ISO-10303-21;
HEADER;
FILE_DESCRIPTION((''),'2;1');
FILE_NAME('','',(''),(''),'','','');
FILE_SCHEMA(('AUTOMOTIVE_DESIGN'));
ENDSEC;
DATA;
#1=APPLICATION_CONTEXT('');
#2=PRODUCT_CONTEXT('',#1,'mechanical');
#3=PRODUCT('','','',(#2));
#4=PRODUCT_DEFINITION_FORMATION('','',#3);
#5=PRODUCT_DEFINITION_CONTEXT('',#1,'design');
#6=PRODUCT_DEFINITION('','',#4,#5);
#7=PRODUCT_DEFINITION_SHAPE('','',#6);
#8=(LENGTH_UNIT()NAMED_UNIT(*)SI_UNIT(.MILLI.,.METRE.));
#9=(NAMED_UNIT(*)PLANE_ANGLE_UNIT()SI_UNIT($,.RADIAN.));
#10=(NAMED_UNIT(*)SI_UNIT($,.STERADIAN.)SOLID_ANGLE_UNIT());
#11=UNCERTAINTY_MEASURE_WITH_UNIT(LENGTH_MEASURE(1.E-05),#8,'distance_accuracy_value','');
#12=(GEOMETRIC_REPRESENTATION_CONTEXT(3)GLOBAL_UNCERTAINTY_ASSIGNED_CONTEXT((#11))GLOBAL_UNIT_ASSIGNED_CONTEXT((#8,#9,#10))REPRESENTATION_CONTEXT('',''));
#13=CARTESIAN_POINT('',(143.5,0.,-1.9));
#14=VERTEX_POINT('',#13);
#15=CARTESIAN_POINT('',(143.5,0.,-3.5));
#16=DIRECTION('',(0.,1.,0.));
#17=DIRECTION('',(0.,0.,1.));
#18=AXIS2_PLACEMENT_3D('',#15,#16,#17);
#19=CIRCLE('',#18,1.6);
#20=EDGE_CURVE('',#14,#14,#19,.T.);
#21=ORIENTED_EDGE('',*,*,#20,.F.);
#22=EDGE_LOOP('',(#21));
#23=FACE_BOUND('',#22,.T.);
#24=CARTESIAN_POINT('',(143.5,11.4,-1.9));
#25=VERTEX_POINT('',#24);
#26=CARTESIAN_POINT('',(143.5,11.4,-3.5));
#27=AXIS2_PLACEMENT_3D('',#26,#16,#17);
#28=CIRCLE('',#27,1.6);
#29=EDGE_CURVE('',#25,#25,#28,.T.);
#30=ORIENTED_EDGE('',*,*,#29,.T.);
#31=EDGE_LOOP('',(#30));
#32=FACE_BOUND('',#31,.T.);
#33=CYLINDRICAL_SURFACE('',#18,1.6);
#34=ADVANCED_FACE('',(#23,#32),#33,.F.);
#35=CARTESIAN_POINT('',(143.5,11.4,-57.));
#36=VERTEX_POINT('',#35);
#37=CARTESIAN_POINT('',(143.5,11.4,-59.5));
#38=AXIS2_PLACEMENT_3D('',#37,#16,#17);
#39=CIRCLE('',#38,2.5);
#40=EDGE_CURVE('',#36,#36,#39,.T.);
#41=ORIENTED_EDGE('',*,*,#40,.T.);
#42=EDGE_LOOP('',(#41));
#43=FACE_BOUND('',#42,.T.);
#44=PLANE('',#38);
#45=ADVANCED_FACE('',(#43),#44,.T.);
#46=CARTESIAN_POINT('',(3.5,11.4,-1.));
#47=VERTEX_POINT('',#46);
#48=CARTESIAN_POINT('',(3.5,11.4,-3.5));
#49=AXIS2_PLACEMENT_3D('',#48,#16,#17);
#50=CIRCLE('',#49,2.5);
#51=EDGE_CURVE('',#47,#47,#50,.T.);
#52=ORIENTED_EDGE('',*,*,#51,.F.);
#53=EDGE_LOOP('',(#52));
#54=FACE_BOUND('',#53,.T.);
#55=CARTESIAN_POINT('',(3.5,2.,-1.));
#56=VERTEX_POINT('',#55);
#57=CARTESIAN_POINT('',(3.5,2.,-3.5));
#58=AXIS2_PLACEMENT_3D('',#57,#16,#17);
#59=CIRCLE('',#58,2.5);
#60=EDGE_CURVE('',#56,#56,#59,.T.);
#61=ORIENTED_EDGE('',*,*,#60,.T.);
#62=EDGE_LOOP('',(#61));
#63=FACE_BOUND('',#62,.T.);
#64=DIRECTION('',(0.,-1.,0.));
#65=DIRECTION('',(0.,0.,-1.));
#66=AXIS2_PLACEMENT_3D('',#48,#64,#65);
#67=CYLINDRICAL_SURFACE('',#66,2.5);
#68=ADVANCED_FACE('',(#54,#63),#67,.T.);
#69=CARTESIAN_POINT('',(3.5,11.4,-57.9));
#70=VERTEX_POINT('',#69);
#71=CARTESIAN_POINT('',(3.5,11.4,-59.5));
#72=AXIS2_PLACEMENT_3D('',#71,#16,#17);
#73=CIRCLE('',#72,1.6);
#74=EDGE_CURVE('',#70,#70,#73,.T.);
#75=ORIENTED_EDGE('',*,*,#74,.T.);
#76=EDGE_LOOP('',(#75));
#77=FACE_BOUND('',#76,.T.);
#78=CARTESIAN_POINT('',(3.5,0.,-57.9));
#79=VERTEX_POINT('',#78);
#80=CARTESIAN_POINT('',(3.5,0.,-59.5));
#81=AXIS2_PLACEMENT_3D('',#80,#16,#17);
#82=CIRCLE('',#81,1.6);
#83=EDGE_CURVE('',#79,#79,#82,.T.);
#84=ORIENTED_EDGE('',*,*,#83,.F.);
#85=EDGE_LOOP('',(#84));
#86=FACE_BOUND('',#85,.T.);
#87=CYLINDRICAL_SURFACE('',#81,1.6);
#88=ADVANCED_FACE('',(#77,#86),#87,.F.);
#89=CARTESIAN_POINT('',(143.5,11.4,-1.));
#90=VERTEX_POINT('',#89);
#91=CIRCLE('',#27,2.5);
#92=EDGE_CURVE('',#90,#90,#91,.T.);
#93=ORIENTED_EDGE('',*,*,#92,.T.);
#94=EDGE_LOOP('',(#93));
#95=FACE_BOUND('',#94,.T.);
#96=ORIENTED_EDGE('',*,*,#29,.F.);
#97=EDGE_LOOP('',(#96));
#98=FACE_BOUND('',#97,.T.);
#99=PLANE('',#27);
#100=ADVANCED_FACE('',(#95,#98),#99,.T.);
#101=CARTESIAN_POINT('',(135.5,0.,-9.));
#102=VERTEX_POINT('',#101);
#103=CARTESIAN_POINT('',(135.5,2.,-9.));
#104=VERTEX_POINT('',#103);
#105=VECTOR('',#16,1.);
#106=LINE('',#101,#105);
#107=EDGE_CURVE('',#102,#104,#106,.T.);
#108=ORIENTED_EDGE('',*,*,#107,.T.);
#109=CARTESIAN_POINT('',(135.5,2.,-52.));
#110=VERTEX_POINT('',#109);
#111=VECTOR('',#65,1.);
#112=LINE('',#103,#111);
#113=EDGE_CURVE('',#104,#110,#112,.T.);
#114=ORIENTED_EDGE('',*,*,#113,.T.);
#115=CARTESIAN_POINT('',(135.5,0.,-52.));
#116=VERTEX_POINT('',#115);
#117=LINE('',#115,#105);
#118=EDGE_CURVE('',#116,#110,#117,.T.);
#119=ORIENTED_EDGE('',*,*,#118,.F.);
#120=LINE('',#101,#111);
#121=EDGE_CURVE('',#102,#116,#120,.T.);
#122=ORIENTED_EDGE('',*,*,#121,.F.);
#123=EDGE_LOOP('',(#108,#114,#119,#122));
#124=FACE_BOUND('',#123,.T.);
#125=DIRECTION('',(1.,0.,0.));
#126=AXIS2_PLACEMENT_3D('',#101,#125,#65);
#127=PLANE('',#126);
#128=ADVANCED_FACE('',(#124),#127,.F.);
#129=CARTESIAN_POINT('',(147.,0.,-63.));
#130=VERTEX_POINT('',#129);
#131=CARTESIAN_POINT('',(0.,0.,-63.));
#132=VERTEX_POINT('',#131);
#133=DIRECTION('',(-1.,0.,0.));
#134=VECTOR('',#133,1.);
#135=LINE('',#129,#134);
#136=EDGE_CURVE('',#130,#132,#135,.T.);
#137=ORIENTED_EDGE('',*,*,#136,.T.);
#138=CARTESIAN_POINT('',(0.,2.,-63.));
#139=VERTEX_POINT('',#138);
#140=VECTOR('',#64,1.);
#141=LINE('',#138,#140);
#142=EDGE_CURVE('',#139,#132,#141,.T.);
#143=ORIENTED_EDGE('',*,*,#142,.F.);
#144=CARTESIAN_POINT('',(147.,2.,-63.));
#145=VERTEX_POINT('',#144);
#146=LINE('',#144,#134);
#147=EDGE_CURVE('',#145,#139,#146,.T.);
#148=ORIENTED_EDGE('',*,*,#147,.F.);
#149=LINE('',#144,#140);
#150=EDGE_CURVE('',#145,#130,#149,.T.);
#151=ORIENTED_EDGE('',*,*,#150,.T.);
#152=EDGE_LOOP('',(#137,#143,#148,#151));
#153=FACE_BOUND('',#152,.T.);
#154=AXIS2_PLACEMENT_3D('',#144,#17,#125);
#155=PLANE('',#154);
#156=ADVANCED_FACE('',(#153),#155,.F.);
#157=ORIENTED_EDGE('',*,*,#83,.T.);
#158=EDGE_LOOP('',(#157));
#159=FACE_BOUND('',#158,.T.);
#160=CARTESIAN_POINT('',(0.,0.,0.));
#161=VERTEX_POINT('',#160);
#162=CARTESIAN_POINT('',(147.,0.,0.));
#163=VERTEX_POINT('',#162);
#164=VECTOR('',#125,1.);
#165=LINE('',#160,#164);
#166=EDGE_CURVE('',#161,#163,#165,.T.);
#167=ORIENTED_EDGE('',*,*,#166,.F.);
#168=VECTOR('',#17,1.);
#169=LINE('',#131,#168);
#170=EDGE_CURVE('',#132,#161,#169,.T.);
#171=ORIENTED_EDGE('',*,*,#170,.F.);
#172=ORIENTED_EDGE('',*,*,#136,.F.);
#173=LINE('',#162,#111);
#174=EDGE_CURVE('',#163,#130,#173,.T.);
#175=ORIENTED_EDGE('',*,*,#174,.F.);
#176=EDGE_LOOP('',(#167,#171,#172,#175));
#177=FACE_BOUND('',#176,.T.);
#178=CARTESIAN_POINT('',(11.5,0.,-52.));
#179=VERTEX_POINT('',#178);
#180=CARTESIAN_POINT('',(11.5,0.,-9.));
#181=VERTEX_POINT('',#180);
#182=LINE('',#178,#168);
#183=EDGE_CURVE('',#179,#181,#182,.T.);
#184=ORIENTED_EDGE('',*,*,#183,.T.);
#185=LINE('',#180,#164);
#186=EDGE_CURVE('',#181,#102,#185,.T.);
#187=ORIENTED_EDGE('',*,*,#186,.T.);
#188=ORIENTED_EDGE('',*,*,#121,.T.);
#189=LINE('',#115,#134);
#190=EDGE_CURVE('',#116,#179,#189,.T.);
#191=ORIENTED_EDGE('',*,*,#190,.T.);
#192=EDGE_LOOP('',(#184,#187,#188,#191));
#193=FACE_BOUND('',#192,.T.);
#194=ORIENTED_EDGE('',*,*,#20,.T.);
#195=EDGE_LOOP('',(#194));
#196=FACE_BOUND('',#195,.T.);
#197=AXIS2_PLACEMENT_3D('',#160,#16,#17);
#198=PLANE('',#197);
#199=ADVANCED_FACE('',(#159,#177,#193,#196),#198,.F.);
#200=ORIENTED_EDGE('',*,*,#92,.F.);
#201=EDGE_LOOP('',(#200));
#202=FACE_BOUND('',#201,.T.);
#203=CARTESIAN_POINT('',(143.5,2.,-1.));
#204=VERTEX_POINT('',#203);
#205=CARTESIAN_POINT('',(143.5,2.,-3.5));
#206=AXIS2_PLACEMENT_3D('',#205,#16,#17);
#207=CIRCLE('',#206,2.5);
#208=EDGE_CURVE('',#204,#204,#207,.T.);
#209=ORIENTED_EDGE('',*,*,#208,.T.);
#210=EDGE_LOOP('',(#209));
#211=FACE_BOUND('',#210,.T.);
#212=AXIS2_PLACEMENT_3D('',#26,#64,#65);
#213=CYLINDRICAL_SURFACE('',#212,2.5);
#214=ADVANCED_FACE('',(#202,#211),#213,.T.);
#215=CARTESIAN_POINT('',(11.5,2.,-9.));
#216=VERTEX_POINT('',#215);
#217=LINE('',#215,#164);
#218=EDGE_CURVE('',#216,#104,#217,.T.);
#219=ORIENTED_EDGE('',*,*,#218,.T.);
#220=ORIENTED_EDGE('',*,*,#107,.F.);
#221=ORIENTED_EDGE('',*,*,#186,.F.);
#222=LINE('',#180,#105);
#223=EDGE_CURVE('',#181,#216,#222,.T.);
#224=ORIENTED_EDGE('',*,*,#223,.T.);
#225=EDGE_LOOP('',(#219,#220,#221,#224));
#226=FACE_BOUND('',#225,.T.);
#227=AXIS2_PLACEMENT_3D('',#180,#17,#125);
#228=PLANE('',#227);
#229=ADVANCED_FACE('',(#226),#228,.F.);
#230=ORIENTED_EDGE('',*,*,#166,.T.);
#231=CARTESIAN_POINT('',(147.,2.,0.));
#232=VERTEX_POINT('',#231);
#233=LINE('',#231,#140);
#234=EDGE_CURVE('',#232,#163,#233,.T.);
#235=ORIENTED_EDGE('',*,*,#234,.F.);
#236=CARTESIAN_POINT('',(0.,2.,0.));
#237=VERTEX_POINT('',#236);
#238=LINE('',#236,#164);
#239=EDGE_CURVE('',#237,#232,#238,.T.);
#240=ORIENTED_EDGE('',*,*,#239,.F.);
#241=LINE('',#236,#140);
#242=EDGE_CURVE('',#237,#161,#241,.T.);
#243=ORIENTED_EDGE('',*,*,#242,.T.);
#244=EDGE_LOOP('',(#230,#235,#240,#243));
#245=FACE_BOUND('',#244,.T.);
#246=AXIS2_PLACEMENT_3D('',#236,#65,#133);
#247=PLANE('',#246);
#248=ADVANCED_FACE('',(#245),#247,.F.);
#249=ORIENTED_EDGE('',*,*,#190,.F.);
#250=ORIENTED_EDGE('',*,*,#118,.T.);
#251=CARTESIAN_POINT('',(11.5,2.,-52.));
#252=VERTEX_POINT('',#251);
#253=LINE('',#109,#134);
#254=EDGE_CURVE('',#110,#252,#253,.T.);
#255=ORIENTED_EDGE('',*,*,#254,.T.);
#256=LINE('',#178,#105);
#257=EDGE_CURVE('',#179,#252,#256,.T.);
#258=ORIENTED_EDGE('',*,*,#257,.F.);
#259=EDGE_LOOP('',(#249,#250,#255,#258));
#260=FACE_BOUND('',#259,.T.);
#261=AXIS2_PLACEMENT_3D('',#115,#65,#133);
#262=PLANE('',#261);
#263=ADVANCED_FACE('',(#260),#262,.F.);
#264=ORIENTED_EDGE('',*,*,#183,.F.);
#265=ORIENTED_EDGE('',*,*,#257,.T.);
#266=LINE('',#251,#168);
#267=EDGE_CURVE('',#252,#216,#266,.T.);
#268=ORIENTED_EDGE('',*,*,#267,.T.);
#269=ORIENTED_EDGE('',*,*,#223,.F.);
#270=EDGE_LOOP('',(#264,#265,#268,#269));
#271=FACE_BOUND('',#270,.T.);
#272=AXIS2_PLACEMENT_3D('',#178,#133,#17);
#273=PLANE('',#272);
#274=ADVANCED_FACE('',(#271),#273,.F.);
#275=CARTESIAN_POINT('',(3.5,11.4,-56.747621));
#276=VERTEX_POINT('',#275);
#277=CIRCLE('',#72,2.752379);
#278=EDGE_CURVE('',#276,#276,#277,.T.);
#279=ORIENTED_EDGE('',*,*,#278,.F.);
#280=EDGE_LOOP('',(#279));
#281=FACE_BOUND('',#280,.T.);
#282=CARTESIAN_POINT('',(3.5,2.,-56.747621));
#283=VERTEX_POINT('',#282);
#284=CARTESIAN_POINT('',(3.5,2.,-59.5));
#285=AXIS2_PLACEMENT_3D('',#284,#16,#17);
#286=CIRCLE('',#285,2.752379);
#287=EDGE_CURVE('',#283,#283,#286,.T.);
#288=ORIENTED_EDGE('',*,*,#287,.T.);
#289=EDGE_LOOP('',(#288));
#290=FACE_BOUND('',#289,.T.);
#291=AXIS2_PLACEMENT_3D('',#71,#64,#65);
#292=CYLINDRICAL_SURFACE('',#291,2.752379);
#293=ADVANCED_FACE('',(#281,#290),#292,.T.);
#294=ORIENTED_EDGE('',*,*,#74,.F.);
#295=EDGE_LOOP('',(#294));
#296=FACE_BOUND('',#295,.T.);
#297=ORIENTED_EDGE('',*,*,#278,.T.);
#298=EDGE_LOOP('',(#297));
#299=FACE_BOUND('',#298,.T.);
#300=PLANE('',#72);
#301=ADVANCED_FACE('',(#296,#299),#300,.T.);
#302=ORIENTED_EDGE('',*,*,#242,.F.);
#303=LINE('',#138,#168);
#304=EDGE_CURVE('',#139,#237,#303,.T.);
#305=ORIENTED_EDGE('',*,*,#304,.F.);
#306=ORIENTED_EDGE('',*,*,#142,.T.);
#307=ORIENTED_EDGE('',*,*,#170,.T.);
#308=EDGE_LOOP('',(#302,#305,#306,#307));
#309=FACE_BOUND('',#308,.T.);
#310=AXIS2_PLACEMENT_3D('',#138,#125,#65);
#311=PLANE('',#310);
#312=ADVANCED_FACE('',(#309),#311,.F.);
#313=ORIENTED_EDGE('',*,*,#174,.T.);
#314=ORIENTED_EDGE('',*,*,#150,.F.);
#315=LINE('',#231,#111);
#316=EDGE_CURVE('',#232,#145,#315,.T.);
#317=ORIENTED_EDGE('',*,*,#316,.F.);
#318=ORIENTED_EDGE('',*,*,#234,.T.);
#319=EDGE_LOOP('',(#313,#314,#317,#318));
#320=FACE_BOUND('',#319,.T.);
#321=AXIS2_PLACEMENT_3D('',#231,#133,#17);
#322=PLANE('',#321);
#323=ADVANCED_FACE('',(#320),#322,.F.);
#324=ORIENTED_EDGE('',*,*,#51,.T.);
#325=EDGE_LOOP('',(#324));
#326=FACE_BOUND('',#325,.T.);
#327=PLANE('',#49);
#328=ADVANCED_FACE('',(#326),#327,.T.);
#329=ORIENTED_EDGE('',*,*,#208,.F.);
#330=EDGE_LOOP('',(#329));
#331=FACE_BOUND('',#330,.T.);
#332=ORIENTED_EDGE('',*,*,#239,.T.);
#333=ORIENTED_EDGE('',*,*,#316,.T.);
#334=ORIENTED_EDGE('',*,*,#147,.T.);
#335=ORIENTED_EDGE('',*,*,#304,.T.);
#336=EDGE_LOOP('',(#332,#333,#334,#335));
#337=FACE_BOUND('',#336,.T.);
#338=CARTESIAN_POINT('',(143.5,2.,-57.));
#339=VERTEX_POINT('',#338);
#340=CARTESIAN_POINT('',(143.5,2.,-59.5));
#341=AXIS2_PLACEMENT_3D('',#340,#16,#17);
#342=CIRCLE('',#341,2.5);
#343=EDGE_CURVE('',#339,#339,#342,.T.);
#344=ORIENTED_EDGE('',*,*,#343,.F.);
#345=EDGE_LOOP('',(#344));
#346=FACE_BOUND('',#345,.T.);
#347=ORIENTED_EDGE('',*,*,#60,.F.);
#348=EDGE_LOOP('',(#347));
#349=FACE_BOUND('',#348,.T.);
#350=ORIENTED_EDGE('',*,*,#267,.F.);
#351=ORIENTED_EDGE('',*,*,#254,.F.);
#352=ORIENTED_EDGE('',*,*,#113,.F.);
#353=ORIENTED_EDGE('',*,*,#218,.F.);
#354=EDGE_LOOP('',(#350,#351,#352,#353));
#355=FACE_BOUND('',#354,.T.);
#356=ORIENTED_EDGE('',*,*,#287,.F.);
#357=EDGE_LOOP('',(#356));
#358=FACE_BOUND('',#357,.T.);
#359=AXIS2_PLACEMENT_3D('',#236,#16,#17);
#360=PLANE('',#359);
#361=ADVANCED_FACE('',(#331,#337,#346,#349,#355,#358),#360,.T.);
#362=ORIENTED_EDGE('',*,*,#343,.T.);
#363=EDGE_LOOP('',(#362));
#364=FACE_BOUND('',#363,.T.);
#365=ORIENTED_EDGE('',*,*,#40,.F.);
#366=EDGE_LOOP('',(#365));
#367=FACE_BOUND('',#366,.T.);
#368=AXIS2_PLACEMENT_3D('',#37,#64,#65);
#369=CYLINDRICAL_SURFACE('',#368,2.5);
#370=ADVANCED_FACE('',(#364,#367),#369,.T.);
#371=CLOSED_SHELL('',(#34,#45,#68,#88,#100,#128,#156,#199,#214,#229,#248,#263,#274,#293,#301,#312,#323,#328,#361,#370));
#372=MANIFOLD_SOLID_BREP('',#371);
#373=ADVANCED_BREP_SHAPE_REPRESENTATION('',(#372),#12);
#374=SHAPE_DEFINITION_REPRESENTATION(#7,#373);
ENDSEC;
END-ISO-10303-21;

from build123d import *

# Parameters (mm, degrees)
SKIZZE3_W                       = 147
SKIZZE3_H                       = 63
AUFSATZ_LINEAR_AUSTRAGEN2_DEPTH = 2
SKIZZE4_W                       = 124
SKIZZE4_H                       = 43
SCHNITT_LINEAR_AUSTRAGEN1_DEPTH = 2
SKIZZE5_R                       = 2.752378696
AUFSATZ_LINEAR_AUSTRAGEN3_DEPTH = 9.4
SKIZZE6_R                       = 1.6
SCHNITT_LINEAR_AUSTRAGEN2_DEPTH = 11.4
SKIZZE7_R                       = 2.5
AUFSATZ_LINEAR_AUSTRAGEN4_DEPTH = 9.4
SKIZZE8_R                       = 1.6
SCHNITT_LINEAR_AUSTRAGEN3_DEPTH = 11.4
SKIZZE9_R                       = 2.5
AUFSATZ_LINEAR_AUSTRAGEN5_DEPTH = 9.4


with BuildPart() as part:
    # Skizze3 → Aufsatz-Linear austragen2 (new body)
    with BuildSketch(Plane(origin=(0, 0, 0), x_dir=(1, 0, 0), z_dir=(0, 1, 0))):
        with Locations((73.5, 31.5)):
            Rectangle(SKIZZE3_W, SKIZZE3_H)
    extrude(amount=AUFSATZ_LINEAR_AUSTRAGEN2_DEPTH)

    # Skizze4 → Schnitt-Linear austragen1 (cut)
    with BuildSketch(Plane(origin=(0, 2, 0), x_dir=(1, 0, 0), z_dir=(0, 1, 0))):
        with Locations((73.5, 30.5)):
            Rectangle(SKIZZE4_W, SKIZZE4_H)
    extrude(amount=-SCHNITT_LINEAR_AUSTRAGEN1_DEPTH, mode=Mode.SUBTRACT)

    # Skizze5 → Aufsatz-Linear austragen3 (add)
    with BuildSketch(Plane(origin=(0, 2, 0), x_dir=(1, 0, 0), z_dir=(0, 1, 0))):
        with Locations(Location((3.5, 59.5, 0), (0, 0, 270))):
            Circle(SKIZZE5_R)
    extrude(amount=AUFSATZ_LINEAR_AUSTRAGEN3_DEPTH)

    # Skizze6 → Schnitt-Linear austragen2 (cut)
    with BuildSketch(Plane(origin=(0, 11.4, 0), x_dir=(1, 0, 0), z_dir=(0, 1, 0))):
        with Locations(Location((3.5, 59.5, 0), (0, 0, 270))):
            Circle(SKIZZE6_R)
    extrude(amount=-SCHNITT_LINEAR_AUSTRAGEN2_DEPTH, mode=Mode.SUBTRACT)

    # Skizze7 → Aufsatz-Linear austragen4 (add)
    with BuildSketch(Plane(origin=(0, 2, 0), x_dir=(1, 0, 0), z_dir=(0, 1, 0))):
        with Locations(Location((143.5, 3.5, 0), (0, 0, 270))):
            Circle(SKIZZE7_R)
    extrude(amount=AUFSATZ_LINEAR_AUSTRAGEN4_DEPTH)

    # Skizze8 → Schnitt-Linear austragen3 (cut)
    with BuildSketch(Plane(origin=(0, 11.4, 0), x_dir=(1, 0, 0), z_dir=(0, 1, 0))):
        with Locations(Location((143.5, 3.5, 0), (0, 0, 270))):
            Circle(SKIZZE8_R)
    extrude(amount=-SCHNITT_LINEAR_AUSTRAGEN3_DEPTH, mode=Mode.SUBTRACT)

    # Skizze9 → Aufsatz-Linear austragen5 (add)
    with BuildSketch(Plane(origin=(0, 2, 0), x_dir=(1, 0, 0), z_dir=(0, 1, 0))):
        with Locations(Location((143.5, 59.5, 0), (0, 0, 270))):
            Circle(SKIZZE9_R)
        with Locations(Location((3.5, 3.5, 0), (0, 0, 270))):
            Circle(SKIZZE9_R)
    extrude(amount=AUFSATZ_LINEAR_AUSTRAGEN5_DEPTH)


solid = part.part
